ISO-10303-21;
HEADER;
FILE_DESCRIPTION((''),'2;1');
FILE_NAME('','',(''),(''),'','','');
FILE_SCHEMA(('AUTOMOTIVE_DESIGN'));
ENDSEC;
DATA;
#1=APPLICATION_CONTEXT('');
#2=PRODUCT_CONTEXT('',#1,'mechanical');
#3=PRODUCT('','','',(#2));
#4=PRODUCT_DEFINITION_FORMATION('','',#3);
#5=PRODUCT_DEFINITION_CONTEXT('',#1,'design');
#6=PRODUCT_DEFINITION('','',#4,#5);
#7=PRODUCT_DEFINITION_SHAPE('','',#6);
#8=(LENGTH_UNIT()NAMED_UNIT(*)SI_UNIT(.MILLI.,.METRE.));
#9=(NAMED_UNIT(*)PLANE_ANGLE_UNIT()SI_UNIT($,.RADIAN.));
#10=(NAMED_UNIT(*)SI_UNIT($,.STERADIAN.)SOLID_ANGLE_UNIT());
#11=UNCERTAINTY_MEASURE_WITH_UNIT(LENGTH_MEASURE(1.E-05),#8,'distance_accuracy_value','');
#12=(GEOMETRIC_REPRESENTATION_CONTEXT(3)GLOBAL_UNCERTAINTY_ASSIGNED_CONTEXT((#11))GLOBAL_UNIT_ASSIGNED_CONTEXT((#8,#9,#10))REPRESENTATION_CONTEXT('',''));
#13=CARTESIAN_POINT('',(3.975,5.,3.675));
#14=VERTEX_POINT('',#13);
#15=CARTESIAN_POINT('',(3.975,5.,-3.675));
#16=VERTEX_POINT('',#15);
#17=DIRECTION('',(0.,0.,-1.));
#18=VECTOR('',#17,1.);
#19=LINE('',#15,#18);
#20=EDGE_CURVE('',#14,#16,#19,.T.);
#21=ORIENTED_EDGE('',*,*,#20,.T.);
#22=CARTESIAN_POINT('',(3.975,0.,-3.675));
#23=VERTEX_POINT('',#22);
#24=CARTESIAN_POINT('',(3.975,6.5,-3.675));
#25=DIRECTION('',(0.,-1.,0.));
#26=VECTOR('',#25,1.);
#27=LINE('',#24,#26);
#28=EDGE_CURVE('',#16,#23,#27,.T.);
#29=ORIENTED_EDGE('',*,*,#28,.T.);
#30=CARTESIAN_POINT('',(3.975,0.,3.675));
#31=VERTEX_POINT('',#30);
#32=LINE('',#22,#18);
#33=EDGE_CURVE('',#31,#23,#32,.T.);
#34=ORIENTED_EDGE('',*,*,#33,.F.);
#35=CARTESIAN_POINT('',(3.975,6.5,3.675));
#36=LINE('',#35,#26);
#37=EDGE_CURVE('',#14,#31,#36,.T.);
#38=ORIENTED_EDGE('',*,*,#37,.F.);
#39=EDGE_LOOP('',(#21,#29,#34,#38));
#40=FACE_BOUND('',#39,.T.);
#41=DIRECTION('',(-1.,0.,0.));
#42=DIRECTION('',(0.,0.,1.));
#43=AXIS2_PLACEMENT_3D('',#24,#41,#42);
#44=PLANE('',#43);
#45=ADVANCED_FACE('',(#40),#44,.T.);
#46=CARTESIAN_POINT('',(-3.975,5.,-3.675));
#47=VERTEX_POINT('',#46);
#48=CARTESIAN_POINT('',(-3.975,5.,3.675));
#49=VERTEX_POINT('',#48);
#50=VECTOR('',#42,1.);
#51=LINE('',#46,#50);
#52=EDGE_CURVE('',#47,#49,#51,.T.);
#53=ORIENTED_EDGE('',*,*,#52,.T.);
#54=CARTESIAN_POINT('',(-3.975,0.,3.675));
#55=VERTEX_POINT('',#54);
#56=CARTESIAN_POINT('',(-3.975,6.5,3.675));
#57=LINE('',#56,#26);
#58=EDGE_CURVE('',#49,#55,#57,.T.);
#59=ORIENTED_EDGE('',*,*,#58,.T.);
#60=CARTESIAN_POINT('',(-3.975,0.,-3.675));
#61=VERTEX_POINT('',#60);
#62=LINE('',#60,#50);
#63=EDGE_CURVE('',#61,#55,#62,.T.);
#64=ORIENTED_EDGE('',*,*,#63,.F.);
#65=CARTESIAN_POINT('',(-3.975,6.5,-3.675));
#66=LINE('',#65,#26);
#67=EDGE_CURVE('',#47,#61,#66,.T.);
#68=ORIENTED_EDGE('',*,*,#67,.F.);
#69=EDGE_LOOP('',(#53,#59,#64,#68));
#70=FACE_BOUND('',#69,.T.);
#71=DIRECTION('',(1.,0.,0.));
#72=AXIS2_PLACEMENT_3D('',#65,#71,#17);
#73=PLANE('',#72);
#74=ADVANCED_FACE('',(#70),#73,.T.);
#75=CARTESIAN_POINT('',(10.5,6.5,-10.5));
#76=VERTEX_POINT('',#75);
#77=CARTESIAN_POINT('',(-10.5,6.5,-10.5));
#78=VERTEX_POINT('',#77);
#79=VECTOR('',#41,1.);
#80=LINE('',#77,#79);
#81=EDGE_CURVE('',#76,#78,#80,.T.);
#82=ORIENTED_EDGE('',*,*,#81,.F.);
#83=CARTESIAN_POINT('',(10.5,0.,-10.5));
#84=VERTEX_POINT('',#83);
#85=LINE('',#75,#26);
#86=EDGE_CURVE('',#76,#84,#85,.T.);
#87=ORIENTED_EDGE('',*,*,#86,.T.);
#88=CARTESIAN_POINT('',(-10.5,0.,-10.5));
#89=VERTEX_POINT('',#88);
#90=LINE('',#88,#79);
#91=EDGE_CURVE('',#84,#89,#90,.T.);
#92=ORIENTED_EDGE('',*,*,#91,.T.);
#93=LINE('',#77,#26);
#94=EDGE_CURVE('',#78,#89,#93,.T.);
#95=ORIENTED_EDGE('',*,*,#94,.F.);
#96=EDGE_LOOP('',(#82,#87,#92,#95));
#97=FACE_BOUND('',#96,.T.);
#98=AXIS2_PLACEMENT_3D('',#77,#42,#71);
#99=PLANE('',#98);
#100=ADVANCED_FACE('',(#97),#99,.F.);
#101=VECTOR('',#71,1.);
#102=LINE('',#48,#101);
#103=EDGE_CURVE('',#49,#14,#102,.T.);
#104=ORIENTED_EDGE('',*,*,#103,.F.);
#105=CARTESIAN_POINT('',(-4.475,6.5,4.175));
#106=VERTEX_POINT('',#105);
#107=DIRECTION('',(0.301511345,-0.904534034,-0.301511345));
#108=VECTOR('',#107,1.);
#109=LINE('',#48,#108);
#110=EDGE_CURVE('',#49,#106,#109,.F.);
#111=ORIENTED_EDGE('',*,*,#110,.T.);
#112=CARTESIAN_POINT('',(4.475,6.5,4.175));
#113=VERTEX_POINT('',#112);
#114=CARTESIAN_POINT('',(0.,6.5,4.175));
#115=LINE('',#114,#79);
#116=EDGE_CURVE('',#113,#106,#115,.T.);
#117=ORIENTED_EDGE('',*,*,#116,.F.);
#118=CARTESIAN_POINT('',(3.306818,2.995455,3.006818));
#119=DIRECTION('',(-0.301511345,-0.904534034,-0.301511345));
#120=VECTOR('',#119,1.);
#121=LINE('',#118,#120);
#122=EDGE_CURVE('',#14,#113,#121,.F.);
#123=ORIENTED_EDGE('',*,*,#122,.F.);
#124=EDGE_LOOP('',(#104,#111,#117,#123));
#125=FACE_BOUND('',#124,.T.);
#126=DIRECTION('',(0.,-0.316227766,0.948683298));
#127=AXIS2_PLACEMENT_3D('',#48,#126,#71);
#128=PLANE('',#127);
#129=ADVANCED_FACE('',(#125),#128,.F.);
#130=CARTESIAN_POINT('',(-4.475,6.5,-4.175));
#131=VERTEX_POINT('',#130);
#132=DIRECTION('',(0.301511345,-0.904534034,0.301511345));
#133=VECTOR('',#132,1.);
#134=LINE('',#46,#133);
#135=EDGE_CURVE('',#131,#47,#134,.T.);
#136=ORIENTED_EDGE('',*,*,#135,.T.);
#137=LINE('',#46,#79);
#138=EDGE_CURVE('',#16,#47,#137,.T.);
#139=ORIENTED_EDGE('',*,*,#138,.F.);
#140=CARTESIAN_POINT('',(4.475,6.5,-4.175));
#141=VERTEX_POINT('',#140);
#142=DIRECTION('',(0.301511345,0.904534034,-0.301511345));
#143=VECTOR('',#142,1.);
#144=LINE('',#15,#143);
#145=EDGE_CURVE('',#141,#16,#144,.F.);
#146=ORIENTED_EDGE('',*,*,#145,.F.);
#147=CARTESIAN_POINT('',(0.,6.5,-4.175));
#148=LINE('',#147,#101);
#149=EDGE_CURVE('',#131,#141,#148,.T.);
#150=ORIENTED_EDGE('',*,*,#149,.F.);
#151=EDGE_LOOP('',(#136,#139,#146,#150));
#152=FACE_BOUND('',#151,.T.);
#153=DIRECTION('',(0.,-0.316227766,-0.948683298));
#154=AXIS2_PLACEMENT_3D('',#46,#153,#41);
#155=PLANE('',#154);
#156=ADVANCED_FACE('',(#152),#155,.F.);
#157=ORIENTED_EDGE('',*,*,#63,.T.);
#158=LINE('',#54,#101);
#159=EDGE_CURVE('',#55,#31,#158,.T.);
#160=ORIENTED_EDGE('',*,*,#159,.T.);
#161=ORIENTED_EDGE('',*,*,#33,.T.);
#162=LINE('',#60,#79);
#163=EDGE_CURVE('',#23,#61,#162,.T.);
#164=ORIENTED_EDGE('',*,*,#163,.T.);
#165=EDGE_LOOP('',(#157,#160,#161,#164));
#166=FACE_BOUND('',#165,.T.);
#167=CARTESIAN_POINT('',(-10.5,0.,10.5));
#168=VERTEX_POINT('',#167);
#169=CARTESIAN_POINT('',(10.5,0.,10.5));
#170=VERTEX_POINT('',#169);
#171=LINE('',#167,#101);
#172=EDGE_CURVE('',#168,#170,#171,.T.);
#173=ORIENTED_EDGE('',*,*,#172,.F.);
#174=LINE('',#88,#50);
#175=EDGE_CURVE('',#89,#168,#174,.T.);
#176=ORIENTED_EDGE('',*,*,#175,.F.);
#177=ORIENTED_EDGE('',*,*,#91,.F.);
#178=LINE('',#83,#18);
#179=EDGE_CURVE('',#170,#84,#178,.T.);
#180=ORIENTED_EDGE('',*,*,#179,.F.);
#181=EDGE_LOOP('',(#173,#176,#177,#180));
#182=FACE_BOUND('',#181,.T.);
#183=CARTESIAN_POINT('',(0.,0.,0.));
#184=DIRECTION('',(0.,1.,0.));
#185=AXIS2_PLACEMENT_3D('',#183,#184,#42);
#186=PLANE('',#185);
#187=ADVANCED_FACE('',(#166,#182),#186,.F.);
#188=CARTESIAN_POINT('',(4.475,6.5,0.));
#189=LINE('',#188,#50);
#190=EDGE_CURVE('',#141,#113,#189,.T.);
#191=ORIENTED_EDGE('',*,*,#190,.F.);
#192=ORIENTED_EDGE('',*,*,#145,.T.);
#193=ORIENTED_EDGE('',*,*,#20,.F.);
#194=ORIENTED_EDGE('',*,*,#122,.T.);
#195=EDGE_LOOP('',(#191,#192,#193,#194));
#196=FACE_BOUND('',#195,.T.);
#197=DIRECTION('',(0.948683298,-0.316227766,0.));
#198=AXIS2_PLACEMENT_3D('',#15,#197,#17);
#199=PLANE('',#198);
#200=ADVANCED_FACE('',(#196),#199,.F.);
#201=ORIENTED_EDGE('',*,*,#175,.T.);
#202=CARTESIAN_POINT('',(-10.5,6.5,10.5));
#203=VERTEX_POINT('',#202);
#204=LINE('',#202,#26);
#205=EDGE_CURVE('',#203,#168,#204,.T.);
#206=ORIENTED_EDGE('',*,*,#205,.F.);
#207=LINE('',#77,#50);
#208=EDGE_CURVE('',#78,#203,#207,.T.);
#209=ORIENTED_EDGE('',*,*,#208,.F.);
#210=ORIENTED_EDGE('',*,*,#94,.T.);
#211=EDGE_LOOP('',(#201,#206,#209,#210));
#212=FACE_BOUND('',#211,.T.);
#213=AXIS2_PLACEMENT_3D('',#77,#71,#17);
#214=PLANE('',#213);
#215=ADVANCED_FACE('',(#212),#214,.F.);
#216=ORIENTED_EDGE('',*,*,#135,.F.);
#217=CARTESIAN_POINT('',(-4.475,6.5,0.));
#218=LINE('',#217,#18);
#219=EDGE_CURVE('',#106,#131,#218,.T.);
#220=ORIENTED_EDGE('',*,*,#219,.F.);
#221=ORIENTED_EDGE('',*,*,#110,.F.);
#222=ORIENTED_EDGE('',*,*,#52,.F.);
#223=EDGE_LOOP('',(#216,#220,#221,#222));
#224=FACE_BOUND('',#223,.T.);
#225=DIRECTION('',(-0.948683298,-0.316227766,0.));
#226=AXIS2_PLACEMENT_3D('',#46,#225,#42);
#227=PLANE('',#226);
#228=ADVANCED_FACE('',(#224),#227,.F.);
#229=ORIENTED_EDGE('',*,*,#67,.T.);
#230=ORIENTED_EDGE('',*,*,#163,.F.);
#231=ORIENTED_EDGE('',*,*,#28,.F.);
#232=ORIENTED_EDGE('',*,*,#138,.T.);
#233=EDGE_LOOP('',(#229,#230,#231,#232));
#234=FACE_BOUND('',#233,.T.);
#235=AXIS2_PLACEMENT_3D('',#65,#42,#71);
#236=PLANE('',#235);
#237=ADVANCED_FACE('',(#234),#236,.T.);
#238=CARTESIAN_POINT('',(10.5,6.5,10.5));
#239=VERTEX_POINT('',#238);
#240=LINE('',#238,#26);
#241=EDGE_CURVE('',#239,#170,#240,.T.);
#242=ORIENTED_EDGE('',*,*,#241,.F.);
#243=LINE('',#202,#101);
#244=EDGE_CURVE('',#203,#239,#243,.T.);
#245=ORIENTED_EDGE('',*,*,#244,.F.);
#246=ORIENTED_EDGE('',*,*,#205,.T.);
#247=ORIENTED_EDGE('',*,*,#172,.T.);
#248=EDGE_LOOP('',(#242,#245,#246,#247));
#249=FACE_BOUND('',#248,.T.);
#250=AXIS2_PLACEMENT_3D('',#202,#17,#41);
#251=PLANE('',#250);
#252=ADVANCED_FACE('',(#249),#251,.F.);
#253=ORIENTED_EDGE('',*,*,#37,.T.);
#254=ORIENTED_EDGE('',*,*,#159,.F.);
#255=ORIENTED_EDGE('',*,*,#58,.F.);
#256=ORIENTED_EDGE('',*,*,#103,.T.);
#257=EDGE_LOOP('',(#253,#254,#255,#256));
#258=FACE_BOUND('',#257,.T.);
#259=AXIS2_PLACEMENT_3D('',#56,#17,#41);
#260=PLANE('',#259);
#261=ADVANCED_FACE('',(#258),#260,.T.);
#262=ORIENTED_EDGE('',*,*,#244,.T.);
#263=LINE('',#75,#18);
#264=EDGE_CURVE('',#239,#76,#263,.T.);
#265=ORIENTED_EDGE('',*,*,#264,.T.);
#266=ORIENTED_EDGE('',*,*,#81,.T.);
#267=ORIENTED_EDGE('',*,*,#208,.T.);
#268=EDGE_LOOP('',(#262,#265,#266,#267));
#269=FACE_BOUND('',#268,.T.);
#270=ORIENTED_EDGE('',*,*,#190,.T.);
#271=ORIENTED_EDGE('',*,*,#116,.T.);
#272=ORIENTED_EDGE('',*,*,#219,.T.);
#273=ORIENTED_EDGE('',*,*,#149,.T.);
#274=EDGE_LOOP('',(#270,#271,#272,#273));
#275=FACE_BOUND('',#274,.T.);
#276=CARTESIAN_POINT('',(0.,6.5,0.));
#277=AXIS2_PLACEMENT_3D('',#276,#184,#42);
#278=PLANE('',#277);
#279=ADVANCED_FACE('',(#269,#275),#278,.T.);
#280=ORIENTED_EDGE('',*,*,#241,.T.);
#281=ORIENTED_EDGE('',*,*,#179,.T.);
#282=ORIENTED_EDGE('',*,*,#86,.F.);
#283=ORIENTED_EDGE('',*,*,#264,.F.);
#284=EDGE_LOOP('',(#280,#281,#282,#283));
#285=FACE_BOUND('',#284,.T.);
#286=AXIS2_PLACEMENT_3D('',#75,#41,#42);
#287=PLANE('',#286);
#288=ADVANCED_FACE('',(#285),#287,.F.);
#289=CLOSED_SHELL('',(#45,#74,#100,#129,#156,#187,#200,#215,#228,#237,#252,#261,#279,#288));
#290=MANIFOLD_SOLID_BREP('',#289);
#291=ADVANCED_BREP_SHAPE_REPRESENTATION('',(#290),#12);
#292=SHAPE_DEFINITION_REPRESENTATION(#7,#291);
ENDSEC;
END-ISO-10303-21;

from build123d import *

# Parameters (mm, degrees)
SKETCH1_W           = 21
SKETCH1_H           = 21
SKETCH1_W_2         = 7.95
SKETCH1_H_2         = 7.35
BOSS_EXTRUDE1_DEPTH = 6.5
CHAMFER1_SIZE       = 0.5
CHAMFER1_SIZE2      = 1.5


with BuildPart() as part:
    # Sketch1 → Boss-Extrude1 (new body)
    with BuildSketch(Plane(origin=(0, 0, 0), x_dir=(1, 0, 0), z_dir=(0, 1, 0))):
        Rectangle(SKETCH1_W, SKETCH1_H)
        Rectangle(SKETCH1_W_2, SKETCH1_H_2, mode=Mode.SUBTRACT)
    extrude(amount=BOSS_EXTRUDE1_DEPTH)

    # Chamfer1
    chamfer1_edges = [part.edges().sort_by_distance(p)[0] for p in [
        (-3.975, 6.5, 0),
        (0, 6.5, 3.675),
        (3.975, 6.5, 0),
        (0, 6.5, -3.675),
    ]]
    chamfer1_side = [part.faces().sort_by_distance(p)[0] for p in [
        (0, 6.5, -10.203015152),
    ]]
    chamfer(chamfer1_edges, length=CHAMFER1_SIZE, length2=CHAMFER1_SIZE2, reference=chamfer1_side[0])


solid = part.part
